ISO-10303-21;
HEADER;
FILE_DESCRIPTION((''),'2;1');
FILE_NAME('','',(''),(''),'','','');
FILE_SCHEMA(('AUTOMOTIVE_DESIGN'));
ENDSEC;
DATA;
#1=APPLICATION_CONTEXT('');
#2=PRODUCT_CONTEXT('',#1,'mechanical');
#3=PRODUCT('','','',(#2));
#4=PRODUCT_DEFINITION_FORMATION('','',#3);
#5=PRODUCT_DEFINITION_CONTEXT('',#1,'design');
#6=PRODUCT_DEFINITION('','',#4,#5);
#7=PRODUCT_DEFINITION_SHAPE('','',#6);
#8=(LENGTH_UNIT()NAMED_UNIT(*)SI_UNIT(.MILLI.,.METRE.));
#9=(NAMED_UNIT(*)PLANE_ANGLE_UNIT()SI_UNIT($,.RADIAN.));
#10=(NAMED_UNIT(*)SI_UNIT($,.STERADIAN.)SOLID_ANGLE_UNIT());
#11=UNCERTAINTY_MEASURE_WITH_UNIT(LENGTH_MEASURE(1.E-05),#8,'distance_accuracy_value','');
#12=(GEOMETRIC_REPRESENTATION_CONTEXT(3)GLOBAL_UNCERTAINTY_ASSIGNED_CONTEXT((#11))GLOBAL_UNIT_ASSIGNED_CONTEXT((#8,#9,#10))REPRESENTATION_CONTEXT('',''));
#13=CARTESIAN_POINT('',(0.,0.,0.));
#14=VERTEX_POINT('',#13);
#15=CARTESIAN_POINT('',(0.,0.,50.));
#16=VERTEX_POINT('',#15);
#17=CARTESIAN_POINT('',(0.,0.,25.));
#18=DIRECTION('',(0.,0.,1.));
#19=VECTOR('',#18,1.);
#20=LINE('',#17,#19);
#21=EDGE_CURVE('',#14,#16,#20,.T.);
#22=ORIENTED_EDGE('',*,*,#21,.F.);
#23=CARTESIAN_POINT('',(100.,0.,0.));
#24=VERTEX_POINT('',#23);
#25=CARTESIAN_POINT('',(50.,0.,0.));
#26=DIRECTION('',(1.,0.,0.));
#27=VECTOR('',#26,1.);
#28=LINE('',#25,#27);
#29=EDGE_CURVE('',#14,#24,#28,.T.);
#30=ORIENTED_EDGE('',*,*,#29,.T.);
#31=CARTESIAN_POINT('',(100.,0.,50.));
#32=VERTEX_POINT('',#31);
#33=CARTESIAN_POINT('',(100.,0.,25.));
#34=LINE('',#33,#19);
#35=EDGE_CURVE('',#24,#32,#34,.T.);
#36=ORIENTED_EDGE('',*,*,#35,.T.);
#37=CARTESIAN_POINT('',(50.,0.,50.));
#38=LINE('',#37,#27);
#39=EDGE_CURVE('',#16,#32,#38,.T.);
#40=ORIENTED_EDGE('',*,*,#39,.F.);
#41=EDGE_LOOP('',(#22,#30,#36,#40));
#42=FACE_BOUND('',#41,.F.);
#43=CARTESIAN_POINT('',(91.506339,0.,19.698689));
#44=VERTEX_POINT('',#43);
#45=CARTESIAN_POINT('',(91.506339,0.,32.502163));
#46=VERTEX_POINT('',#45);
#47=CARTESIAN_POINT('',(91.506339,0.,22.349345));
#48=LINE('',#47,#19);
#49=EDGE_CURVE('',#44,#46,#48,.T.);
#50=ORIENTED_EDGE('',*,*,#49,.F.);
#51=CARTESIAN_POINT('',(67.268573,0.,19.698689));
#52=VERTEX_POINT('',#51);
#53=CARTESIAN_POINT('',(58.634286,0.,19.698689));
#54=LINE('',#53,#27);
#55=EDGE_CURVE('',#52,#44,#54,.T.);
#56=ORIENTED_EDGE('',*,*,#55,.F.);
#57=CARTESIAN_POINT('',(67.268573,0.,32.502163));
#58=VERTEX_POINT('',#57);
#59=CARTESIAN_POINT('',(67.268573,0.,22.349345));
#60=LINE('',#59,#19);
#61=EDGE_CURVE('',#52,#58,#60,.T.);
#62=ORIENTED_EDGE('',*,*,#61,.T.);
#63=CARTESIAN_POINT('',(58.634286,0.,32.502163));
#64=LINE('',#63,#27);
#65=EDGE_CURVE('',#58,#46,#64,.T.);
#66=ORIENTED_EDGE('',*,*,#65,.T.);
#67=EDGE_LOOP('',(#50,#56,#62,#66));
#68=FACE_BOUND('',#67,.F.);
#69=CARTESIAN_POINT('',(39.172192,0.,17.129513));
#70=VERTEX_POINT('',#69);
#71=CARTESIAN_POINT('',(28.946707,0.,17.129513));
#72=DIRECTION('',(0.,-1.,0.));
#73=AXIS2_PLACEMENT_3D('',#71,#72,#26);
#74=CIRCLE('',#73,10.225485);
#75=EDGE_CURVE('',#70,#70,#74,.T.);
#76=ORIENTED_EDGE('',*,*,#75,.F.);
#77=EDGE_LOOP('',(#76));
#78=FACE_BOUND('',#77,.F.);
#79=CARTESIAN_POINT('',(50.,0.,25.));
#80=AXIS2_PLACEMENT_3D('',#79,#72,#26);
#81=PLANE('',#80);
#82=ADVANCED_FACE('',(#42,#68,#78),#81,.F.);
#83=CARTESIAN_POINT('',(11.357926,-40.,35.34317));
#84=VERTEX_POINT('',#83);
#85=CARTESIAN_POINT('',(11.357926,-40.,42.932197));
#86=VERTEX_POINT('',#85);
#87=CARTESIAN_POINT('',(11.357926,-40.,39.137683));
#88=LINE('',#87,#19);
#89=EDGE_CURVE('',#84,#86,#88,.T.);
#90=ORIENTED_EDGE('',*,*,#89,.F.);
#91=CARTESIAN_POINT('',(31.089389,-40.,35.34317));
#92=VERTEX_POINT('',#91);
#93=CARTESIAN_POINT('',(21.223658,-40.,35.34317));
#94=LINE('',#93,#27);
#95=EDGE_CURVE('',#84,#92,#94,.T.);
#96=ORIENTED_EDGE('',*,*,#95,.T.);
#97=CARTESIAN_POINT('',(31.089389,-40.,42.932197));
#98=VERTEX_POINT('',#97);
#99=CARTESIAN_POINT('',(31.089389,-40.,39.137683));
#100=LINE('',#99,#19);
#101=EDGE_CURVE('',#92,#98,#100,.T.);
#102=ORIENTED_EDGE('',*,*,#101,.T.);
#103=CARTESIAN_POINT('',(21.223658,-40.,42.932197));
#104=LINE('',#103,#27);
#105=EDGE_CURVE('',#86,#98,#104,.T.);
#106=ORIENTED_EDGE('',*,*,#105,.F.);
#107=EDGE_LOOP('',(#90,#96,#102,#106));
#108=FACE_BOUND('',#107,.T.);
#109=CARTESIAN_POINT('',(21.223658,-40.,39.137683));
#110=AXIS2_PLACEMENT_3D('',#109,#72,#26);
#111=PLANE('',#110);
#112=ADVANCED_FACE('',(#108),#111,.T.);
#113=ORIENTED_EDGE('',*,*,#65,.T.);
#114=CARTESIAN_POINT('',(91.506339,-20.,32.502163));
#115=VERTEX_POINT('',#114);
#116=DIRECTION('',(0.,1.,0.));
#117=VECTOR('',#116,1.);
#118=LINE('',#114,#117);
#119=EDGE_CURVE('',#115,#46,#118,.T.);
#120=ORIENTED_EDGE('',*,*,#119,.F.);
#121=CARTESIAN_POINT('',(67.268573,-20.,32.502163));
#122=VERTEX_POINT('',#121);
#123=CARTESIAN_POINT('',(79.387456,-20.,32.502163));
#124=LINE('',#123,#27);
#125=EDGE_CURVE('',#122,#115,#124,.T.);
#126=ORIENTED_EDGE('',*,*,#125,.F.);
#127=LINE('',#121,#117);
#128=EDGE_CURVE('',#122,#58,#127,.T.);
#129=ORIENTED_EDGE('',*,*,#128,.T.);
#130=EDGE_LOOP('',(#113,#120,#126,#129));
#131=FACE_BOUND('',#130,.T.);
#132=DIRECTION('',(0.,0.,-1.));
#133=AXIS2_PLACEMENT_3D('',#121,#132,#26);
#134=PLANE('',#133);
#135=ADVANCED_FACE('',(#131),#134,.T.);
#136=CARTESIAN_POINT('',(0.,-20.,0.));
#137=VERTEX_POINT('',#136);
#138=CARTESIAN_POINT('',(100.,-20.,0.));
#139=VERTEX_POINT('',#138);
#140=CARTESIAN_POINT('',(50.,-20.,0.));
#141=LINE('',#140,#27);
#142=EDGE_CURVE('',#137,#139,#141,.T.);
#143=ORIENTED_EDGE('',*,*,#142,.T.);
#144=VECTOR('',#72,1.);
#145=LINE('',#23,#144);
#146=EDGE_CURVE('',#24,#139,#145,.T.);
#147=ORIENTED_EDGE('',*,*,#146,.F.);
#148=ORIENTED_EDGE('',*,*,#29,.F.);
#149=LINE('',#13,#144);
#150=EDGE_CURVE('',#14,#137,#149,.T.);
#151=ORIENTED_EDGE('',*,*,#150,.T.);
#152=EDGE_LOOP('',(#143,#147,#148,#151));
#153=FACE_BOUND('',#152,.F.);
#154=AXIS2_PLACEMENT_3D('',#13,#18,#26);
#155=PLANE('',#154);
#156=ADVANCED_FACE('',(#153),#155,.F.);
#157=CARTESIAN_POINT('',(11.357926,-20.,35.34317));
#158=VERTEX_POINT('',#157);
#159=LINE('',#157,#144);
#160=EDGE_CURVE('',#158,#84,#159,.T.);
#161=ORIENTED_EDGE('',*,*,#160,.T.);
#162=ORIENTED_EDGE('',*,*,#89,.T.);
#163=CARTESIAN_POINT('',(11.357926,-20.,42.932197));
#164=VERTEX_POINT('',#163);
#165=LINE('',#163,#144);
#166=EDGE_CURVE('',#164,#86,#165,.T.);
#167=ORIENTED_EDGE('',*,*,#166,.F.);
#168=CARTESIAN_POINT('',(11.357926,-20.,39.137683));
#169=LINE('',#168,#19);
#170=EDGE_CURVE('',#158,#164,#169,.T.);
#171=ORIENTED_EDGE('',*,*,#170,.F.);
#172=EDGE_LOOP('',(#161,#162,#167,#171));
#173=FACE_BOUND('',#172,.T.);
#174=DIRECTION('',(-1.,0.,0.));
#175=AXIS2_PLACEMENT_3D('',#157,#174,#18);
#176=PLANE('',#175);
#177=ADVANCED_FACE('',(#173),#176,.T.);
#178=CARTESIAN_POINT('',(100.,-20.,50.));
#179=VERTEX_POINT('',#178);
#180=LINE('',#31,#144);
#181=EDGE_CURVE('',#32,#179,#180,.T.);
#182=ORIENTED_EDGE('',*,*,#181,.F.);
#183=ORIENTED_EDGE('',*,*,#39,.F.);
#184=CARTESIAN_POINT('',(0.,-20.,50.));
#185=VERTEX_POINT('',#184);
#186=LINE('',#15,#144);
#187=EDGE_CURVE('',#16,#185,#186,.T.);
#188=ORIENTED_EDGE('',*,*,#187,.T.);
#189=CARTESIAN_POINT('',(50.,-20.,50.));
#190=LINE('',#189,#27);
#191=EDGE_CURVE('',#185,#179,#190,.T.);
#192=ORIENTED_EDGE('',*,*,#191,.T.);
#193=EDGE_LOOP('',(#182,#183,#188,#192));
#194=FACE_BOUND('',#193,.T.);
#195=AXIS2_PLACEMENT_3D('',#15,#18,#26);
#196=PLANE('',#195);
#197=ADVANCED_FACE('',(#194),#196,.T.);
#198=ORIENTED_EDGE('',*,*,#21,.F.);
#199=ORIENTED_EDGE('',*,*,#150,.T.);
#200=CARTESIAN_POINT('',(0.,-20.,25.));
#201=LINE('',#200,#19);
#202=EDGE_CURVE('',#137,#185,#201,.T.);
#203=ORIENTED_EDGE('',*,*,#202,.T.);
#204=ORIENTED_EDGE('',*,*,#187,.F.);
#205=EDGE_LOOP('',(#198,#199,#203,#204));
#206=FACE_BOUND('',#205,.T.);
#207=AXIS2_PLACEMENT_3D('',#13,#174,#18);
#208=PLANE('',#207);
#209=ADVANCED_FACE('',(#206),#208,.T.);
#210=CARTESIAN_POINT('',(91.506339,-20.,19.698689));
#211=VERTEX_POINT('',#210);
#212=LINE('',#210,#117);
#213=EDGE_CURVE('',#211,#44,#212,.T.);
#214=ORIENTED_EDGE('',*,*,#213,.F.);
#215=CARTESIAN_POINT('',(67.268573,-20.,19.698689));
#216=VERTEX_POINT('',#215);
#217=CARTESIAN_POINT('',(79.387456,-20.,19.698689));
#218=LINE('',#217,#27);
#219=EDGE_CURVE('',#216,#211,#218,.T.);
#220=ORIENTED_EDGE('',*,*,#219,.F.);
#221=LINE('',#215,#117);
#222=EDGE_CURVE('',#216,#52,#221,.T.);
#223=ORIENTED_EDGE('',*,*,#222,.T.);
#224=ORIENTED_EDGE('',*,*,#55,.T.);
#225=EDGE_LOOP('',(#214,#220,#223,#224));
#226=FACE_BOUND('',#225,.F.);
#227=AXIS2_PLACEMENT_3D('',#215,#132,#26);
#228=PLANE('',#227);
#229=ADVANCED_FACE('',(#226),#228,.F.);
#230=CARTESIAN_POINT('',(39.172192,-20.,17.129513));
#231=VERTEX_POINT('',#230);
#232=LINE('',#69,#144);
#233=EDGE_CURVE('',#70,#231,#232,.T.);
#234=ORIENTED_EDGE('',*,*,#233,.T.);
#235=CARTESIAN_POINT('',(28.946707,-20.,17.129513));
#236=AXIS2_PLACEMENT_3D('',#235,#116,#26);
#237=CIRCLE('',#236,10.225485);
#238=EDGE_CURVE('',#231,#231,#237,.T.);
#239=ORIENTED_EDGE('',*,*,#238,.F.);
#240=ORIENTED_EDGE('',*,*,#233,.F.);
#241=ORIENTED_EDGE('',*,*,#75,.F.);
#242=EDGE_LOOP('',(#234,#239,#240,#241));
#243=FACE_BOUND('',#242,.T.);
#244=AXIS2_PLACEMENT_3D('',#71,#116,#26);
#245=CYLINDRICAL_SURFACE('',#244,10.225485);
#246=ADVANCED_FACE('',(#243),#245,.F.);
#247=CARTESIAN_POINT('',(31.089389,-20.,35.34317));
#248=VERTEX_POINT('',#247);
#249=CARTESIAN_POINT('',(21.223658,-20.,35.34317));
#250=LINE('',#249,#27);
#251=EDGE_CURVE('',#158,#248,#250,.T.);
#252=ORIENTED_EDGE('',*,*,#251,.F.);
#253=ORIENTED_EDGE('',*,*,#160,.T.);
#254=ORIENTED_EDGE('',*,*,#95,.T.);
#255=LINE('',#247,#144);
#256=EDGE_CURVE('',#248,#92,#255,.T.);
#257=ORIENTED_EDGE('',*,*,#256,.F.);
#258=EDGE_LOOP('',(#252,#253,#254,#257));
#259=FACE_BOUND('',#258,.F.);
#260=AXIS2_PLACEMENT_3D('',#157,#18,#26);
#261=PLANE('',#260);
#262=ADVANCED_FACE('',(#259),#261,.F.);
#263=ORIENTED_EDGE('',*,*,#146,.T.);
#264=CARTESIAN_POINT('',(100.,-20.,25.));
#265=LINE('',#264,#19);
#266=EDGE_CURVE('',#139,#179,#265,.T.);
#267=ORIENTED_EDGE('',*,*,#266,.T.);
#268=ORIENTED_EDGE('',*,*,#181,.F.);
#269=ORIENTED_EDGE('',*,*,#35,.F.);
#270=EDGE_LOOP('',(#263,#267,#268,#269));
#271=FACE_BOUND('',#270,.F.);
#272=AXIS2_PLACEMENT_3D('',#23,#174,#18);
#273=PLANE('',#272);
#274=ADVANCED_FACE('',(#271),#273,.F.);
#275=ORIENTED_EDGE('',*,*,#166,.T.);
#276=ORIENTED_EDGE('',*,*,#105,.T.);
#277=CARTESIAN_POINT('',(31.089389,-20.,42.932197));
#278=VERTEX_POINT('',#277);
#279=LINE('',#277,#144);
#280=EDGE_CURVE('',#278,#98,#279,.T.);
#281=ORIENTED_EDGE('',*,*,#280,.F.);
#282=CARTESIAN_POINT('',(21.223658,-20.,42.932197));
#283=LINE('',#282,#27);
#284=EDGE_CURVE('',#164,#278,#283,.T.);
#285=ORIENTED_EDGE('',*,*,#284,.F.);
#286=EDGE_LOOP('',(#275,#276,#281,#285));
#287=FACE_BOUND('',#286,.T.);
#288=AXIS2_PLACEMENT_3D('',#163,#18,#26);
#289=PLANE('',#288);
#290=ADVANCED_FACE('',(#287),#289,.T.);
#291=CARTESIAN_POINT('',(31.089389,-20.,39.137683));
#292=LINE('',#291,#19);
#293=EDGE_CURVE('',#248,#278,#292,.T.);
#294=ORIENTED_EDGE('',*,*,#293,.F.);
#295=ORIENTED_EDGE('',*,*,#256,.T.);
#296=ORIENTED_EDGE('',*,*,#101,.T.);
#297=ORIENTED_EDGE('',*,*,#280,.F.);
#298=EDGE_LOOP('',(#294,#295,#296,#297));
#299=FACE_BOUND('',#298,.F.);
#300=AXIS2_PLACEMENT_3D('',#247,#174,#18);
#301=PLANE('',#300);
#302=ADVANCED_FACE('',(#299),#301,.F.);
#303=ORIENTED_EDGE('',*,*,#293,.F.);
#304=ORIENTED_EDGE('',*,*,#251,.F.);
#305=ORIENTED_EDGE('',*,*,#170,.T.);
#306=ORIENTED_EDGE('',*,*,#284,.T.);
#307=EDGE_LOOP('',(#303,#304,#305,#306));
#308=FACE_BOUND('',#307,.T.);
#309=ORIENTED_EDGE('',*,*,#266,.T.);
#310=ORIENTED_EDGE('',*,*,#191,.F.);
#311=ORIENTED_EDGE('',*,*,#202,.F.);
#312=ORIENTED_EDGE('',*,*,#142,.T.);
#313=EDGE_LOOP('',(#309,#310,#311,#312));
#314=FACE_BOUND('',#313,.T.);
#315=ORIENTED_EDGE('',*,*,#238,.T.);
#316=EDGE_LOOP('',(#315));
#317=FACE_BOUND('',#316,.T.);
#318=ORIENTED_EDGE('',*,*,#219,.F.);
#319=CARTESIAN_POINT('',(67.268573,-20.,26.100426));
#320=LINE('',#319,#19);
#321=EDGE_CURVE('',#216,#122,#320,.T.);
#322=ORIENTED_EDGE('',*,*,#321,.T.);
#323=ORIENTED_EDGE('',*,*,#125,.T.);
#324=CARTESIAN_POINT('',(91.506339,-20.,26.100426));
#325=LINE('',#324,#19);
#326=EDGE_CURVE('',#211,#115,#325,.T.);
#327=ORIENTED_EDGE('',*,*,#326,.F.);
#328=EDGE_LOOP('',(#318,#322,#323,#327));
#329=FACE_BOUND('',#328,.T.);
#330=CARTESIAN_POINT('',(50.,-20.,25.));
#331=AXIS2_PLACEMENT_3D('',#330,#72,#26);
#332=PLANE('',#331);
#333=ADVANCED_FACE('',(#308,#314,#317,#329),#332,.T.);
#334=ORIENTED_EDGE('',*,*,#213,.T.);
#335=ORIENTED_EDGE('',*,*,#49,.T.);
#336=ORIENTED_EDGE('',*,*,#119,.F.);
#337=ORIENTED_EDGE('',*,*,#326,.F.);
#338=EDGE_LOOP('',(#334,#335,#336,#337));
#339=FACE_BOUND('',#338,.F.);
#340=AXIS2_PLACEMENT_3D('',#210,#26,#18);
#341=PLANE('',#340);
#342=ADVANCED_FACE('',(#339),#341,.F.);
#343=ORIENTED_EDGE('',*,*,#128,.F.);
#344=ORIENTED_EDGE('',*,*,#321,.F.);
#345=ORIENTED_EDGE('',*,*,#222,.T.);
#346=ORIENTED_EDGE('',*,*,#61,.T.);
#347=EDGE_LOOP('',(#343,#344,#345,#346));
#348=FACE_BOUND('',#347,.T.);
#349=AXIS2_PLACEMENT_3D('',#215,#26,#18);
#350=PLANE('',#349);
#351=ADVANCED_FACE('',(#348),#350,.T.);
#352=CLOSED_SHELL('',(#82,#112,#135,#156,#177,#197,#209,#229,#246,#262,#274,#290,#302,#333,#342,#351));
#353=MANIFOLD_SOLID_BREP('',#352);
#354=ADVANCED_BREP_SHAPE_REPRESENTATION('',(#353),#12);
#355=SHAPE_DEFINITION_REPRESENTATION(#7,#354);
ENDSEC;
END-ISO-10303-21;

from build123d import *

# Parameters (mm, degrees)
F0_W     = 100
F0_H     = 50
F1_DEPTH = 20
F2_R     = 10.225485
F3_DEPTH = 20.001
F4_W     = 24.237767
F4_H     = 12.803474
F5_DEPTH = 20.001
F6_W     = 19.731463
F6_H     = 7.589027
F7_DEPTH = 20


with BuildPart() as f1:
    # F0 (on Front) → F1 (new body)
    with BuildSketch(Plane.XZ):
        with Locations((50, 25)):
            Rectangle(F0_W, F0_H)
    extrude(amount=F1_DEPTH)

    # F2 (on Front) → F3 (cut, through all)
    with BuildSketch(Plane.XZ):
        with Locations((28.946707, 17.129513)):
            Circle(F2_R)
    extrude(amount=F3_DEPTH, mode=Mode.SUBTRACT)

    # F4 (on face) → F5 (cut, through all)
    with BuildSketch(Plane.XZ.offset(20)):
        with Locations((79.387456, 26.100426)):
            Rectangle(F4_W, F4_H)
    extrude(amount=-F5_DEPTH, mode=Mode.SUBTRACT)

    # F6 (on face) → F7 (join)
    with BuildSketch(Plane.XZ.offset(20)):
        with Locations((21.223658, 39.137683)):
            Rectangle(F6_W, F6_H)
    extrude(amount=F7_DEPTH)


solid = f1.part
